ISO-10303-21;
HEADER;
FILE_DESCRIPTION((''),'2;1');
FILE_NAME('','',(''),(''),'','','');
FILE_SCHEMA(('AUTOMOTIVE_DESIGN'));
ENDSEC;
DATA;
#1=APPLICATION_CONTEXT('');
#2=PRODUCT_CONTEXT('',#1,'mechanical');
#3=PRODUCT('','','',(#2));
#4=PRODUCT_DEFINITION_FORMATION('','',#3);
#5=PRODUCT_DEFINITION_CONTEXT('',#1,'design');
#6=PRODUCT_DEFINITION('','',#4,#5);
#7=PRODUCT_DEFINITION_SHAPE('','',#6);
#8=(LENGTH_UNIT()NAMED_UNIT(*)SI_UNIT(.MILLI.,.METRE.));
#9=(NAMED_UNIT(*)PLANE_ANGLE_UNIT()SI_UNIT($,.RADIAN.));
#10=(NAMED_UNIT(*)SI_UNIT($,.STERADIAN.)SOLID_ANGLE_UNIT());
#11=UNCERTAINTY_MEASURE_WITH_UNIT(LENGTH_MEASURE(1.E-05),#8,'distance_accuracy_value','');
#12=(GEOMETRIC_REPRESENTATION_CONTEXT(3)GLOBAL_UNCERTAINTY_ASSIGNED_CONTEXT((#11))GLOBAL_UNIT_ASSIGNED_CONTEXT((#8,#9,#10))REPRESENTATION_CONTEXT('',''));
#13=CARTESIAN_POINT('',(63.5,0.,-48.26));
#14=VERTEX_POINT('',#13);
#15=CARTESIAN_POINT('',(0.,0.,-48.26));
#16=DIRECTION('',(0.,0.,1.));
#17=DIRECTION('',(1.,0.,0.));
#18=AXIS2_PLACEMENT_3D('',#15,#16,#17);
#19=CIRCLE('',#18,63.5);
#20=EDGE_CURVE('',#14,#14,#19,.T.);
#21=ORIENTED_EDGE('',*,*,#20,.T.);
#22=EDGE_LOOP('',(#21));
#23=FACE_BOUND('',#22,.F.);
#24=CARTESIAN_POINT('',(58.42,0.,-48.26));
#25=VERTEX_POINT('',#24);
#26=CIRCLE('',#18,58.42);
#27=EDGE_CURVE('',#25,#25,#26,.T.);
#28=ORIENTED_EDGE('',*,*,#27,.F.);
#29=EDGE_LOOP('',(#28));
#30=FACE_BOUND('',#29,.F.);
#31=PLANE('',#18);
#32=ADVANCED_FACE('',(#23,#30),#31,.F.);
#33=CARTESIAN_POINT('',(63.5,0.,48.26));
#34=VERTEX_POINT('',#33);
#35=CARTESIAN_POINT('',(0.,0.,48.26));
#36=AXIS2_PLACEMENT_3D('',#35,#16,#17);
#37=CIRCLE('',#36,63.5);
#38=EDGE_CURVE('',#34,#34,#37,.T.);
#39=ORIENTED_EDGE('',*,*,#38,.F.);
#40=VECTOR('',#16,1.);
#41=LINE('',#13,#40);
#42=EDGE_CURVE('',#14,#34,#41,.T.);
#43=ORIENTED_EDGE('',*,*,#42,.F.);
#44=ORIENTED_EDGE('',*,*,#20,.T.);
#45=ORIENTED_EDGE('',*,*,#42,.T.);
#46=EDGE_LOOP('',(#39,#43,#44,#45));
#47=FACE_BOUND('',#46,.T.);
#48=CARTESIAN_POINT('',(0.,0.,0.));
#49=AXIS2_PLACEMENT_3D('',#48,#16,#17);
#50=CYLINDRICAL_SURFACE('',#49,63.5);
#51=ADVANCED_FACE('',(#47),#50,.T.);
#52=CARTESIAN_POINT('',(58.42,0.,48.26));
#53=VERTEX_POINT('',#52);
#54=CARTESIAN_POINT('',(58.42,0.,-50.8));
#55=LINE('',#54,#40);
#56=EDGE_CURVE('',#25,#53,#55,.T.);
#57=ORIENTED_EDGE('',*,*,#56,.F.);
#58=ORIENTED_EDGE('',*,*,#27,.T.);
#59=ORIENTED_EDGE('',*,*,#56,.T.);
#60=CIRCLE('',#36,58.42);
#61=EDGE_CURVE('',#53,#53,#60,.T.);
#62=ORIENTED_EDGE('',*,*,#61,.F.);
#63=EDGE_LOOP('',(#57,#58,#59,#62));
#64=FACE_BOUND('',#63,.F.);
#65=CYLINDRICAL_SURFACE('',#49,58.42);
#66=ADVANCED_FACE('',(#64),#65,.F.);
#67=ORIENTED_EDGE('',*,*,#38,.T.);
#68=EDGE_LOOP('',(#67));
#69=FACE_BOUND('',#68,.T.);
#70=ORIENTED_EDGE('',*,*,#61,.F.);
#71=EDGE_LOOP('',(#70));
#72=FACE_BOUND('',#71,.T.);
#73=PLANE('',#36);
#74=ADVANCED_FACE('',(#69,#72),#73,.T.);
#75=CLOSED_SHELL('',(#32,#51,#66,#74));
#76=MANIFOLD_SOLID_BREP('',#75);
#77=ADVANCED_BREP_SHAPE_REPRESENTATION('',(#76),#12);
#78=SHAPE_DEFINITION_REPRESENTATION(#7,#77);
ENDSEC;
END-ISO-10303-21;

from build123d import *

# Parameters (mm, degrees)
F0_R     = 63.5
F1_DEPTH = 48.26
F2_R     = 58.42
F3_DEPTH = 50.8


with BuildPart() as f1:
    # F0 (on Top) → F1 (new body, symmetric)
    with BuildSketch(Plane.XY):
        Circle(F0_R)
    extrude(amount=F1_DEPTH, both=True)

    # F2 (on Top) → F3 (cut, symmetric)
    with BuildSketch(Plane.XY):
        Circle(F2_R)
    extrude(amount=F3_DEPTH, both=True, mode=Mode.SUBTRACT)


solid = f1.part
